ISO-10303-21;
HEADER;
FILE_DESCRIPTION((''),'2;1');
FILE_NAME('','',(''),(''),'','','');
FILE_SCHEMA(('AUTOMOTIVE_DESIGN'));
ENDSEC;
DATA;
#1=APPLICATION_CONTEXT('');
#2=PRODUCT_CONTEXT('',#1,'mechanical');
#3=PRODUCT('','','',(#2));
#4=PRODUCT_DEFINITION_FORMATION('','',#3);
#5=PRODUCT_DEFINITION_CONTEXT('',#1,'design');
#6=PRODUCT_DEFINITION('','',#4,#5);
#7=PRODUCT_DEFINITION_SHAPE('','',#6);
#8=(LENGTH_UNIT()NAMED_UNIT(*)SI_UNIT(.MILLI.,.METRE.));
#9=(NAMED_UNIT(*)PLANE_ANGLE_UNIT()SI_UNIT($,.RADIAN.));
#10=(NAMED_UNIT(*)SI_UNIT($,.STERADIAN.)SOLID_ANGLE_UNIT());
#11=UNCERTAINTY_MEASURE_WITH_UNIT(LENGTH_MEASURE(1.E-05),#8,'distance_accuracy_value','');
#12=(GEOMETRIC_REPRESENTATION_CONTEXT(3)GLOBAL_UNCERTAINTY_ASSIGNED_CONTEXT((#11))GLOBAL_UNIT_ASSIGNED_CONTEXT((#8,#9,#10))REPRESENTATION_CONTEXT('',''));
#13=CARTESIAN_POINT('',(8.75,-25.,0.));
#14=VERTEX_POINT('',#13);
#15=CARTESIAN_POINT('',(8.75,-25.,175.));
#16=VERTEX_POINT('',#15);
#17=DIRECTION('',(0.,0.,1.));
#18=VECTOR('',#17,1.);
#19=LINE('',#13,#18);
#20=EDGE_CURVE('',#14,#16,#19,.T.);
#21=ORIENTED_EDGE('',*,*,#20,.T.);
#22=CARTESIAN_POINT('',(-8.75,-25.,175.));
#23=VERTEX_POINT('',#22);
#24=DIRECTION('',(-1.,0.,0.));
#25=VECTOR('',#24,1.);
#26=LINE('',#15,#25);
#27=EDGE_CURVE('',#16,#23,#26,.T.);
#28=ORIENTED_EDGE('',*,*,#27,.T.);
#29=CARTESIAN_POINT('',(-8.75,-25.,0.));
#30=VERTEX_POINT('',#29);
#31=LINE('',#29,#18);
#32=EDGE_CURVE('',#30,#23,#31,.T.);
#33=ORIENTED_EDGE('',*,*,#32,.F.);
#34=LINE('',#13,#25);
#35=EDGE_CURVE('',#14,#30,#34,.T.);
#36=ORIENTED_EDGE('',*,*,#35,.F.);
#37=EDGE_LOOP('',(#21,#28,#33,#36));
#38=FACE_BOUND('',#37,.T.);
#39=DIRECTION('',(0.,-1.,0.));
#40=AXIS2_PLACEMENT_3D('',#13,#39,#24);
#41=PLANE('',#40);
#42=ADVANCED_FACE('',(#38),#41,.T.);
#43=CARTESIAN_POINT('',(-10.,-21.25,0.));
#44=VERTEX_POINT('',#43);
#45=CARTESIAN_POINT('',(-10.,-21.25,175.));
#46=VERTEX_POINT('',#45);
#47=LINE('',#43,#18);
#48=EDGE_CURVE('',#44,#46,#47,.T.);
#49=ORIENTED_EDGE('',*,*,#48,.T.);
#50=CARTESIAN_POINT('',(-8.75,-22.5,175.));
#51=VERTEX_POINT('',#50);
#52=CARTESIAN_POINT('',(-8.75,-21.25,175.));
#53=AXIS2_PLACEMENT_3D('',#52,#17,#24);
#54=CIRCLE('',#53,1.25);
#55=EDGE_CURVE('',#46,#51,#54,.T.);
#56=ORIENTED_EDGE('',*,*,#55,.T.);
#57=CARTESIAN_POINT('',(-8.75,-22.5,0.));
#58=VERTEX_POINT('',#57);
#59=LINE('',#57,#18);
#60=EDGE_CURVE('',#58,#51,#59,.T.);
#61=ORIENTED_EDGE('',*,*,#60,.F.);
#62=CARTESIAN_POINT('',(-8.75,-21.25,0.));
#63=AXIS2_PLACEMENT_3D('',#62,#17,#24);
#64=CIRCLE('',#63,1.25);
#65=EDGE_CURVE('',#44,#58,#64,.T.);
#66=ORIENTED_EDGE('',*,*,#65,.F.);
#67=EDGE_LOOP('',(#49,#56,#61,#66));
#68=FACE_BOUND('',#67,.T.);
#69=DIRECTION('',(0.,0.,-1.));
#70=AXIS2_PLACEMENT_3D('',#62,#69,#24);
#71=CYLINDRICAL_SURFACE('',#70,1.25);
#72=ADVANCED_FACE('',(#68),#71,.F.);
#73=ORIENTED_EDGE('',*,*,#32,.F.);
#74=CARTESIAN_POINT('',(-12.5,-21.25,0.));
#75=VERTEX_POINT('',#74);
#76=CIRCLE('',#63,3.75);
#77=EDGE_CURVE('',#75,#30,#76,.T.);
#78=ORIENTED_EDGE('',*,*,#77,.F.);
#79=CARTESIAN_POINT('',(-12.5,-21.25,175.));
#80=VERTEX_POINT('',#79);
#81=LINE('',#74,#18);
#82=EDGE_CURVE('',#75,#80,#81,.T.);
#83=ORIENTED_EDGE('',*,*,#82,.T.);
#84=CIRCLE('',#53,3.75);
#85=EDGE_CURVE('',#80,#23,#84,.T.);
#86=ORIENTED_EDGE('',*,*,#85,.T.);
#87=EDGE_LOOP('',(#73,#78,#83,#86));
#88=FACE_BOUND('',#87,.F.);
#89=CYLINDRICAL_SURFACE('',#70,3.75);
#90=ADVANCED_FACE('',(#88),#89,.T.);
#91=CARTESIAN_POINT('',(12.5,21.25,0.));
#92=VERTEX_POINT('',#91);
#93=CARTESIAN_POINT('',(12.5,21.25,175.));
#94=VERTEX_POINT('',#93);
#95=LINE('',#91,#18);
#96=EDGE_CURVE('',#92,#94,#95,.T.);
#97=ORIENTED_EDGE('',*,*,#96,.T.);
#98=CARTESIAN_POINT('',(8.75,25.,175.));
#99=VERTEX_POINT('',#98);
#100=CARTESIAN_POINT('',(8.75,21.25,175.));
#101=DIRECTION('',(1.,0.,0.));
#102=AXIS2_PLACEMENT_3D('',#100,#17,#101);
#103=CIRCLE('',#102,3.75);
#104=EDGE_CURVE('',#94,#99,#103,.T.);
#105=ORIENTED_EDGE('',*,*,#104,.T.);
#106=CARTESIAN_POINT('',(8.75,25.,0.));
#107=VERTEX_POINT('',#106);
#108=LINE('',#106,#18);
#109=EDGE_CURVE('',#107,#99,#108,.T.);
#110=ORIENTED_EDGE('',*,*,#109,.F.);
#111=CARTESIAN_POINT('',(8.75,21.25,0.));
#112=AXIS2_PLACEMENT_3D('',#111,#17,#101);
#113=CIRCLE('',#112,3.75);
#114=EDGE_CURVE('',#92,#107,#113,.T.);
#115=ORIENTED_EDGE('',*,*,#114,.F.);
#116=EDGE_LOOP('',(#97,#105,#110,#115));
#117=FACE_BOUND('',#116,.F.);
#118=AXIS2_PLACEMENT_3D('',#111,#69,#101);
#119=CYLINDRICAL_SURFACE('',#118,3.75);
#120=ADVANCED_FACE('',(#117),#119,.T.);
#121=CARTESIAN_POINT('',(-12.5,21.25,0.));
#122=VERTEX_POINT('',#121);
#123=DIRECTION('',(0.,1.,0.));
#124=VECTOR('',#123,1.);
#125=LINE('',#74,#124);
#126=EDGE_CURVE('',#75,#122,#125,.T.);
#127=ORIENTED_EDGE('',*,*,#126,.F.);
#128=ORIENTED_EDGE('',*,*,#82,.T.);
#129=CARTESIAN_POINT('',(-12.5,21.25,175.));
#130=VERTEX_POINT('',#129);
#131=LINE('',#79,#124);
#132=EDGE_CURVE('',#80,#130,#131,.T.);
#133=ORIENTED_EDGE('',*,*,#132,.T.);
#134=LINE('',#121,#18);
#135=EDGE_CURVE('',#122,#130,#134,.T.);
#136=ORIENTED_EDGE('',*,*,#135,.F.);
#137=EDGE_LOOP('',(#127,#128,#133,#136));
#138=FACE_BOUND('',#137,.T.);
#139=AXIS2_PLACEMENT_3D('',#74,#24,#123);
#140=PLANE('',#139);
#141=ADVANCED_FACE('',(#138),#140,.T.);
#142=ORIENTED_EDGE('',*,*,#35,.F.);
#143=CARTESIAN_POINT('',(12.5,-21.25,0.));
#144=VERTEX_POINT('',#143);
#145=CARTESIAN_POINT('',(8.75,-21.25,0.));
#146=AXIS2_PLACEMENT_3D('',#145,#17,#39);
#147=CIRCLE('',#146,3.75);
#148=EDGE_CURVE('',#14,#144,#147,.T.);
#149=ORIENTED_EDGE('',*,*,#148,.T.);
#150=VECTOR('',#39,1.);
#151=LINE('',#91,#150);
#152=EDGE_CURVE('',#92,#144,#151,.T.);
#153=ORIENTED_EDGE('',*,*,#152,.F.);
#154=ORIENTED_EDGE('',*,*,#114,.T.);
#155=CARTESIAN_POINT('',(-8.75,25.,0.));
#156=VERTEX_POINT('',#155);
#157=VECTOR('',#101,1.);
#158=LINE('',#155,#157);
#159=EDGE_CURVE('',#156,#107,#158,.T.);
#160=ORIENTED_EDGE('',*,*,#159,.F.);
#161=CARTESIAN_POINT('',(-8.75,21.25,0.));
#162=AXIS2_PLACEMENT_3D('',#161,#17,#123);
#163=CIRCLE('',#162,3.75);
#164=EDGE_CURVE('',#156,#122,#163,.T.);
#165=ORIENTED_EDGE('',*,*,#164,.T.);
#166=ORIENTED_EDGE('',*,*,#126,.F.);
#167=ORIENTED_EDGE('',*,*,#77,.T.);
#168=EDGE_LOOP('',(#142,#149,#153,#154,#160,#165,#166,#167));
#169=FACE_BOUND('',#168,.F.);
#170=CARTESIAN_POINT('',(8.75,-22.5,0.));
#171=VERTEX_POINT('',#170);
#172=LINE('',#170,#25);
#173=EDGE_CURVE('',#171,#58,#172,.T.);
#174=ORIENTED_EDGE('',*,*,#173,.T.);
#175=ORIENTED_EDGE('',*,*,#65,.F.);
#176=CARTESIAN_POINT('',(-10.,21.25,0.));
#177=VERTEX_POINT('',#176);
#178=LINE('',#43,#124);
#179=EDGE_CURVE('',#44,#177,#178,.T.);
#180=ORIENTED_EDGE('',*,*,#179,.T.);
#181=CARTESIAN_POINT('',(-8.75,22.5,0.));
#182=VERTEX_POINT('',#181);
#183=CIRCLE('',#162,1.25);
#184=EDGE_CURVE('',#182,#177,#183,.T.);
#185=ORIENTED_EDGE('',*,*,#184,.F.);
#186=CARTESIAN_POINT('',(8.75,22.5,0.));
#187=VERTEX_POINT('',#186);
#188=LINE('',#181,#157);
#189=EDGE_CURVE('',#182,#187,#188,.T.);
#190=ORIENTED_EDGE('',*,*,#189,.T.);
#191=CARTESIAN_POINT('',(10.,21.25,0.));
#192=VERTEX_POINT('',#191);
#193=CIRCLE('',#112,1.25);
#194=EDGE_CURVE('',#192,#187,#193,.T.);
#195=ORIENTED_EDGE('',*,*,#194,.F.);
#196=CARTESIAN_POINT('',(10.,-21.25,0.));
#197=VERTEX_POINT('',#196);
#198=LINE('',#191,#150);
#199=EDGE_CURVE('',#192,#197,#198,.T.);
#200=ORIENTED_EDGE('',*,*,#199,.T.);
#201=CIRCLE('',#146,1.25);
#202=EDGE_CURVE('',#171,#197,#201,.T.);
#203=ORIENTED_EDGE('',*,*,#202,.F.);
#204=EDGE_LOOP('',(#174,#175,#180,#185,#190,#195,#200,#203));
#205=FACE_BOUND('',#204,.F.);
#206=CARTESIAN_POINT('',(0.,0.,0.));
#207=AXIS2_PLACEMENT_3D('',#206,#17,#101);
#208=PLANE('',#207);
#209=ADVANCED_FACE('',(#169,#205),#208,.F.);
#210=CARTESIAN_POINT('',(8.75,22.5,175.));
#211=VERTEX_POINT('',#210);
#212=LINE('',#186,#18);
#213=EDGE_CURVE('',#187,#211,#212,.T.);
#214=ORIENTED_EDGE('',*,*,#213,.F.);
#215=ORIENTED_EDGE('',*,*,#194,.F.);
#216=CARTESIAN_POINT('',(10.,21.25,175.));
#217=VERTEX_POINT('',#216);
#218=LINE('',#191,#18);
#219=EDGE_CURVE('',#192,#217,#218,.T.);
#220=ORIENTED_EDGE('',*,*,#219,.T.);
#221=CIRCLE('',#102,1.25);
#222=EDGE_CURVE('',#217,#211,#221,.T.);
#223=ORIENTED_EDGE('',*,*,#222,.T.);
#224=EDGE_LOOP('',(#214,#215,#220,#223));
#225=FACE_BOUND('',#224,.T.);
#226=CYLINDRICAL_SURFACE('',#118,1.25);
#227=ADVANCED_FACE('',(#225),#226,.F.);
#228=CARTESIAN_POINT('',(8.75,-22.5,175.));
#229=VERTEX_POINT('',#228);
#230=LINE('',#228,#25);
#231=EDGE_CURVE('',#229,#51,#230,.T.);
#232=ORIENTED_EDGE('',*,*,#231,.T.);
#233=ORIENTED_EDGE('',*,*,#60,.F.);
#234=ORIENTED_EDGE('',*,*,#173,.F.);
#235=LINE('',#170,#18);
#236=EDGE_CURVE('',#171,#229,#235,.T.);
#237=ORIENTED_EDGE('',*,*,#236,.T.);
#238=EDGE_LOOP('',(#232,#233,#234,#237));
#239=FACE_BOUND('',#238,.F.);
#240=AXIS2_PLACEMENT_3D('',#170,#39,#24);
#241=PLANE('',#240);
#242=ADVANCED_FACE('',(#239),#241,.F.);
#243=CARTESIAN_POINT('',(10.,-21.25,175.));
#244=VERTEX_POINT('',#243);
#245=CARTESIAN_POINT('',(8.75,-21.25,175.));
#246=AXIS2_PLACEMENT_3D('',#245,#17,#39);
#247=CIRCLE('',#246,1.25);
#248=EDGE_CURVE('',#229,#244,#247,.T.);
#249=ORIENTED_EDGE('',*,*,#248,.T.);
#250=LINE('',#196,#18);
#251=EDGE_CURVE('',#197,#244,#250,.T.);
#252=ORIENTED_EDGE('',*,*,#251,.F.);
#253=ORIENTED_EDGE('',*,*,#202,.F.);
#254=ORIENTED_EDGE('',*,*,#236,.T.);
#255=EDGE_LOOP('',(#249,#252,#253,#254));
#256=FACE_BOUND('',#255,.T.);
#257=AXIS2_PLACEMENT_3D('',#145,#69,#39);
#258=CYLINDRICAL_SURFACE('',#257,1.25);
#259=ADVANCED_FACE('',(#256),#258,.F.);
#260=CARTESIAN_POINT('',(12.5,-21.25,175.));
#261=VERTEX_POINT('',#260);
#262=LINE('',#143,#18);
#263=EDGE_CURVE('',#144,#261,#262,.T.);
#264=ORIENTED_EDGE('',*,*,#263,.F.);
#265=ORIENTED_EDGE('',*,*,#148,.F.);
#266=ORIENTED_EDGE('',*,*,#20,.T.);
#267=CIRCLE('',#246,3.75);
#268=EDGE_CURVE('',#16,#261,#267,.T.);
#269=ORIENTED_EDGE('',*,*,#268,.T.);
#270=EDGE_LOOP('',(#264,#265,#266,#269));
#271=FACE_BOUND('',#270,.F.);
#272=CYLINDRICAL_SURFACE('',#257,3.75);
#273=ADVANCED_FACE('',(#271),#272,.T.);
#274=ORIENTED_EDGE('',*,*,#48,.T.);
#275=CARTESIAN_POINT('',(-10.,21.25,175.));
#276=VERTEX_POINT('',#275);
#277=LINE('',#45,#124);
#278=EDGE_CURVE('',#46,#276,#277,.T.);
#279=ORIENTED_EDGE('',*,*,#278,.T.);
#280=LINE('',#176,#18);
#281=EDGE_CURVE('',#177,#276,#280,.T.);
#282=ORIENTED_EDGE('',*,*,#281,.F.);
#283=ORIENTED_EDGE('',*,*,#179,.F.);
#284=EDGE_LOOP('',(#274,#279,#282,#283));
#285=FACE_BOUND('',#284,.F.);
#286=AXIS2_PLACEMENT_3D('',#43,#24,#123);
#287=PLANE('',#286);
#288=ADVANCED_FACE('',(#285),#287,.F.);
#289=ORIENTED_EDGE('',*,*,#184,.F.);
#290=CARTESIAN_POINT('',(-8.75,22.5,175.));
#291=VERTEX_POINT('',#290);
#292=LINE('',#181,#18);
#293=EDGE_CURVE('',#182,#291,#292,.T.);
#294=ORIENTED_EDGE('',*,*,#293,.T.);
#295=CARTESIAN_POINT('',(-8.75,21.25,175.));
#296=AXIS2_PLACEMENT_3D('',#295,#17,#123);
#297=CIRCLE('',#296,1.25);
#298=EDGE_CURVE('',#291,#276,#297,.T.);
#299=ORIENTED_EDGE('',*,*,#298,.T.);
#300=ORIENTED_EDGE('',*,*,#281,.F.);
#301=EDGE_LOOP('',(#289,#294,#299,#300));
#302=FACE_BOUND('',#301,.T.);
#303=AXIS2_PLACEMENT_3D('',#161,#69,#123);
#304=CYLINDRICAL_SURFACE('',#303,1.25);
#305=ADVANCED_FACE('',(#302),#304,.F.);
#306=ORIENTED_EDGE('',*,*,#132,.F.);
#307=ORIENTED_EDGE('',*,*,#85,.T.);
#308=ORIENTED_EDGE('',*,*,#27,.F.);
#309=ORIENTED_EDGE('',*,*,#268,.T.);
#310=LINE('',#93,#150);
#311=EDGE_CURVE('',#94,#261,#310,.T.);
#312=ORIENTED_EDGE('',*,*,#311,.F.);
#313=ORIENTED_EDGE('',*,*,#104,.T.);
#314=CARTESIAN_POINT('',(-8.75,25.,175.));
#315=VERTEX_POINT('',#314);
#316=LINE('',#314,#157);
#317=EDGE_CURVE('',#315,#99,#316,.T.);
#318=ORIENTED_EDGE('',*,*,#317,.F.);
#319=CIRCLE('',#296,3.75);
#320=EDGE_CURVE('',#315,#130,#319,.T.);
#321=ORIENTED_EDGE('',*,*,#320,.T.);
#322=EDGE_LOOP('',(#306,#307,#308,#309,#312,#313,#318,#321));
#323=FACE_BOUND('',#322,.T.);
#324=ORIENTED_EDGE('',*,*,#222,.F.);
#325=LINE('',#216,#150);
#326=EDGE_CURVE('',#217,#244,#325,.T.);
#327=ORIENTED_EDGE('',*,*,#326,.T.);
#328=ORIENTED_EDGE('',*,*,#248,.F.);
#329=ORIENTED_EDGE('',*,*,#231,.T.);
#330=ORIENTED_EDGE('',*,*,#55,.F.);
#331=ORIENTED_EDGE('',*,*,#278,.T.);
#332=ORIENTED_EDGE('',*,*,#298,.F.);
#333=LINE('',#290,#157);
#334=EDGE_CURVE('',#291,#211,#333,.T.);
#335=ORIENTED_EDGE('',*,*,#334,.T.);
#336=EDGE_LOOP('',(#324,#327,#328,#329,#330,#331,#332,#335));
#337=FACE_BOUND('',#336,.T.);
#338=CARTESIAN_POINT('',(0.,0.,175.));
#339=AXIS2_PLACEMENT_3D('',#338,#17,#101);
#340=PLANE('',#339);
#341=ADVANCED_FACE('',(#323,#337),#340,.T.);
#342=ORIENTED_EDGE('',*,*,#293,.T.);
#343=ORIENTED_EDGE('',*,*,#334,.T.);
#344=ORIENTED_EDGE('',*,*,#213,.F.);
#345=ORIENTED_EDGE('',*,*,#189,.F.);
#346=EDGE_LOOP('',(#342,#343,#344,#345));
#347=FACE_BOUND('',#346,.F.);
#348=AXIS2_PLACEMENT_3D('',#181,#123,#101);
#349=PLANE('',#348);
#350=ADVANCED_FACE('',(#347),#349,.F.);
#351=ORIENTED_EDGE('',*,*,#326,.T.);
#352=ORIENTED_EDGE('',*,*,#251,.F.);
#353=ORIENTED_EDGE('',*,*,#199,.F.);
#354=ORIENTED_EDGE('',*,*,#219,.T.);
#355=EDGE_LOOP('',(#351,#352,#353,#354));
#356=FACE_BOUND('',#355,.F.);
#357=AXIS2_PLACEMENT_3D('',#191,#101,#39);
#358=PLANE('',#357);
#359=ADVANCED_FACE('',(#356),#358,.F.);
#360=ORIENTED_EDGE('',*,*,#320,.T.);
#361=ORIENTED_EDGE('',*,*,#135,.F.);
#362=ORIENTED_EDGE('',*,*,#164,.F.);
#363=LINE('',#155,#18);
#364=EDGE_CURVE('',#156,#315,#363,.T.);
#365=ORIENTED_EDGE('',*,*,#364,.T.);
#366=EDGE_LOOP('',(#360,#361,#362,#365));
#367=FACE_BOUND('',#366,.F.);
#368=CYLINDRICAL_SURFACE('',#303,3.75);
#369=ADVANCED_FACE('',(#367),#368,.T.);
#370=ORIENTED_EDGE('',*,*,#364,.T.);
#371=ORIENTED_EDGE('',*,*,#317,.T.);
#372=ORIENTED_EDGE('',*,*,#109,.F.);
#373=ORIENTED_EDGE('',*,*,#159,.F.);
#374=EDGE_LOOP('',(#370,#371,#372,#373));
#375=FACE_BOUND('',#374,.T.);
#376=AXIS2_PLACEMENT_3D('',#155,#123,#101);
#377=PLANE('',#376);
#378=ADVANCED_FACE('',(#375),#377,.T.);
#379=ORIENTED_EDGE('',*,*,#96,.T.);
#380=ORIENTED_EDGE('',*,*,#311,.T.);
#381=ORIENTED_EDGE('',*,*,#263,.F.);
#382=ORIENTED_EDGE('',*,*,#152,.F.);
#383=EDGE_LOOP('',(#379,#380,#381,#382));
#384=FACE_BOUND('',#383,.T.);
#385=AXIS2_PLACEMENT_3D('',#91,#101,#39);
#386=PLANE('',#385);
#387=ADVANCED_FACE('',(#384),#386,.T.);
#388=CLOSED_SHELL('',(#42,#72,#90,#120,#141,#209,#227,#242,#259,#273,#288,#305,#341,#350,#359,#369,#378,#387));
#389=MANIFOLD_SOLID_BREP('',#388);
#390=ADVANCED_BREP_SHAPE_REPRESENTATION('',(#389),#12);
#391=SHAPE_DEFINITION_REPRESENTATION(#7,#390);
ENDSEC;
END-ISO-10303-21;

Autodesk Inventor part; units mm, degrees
ref_plane "YZ Plane" through (0, 0, 0) normal (1, 0, 0) x (0, 1, 0)
ref_plane "Plano inicial" through (0, 0, 0) normal (0, 0, 1) x (1, 0, 0)
ref_plane "Plano final" through (0, 0, 175) normal (0, 0, 1) x (1, 0, 0)
sketch "Boceto" plane through (0, 0, 0) normal (0, 0, 1) x (1, 0, 0)
  line L0 (-12.5, -21.25) -> (-12.5, 21.25)
  line L1 (-8.75, 25) -> (8.75, 25)
  line L2 (12.5, 21.25) -> (12.5, -21.25)
  line L3 (8.75, -25) -> (-8.75, -25)
  arc A0 (-12.5, -21.25) -> (-8.75, -25) centre (-8.75, -21.25) ccw
  arc A1 (-8.75, 25) -> (-12.5, 21.25) centre (-8.75, 21.25) ccw
  arc A2 (12.5, 21.25) -> (8.75, 25) centre (8.75, 21.25) ccw
  arc A3 (8.75, -25) -> (12.5, -21.25) centre (8.75, -21.25) ccw
  arc A4 (-8.75, 22.5) -> (-10, 21.25) centre (-8.75, 21.25) ccw
  line L4 (-8.75, 22.5) -> (8.75, 22.5)
  arc A5 (10, 21.25) -> (8.75, 22.5) centre (8.75, 21.25) ccw
  line L5 (10, 21.25) -> (10, -21.25)
  arc A6 (8.75, -22.5) -> (10, -21.25) centre (8.75, -21.25) ccw
  line L6 (8.75, -22.5) -> (-8.75, -22.5)
  arc A7 (-10, -21.25) -> (-8.75, -22.5) centre (-8.75, -21.25) ccw
  line L7 (-10, -21.25) -> (-10, 21.25)
  line L8 (0, 36.0873) -> (0, -36.0873) construction
  line L9 (-18.5873, 0) -> (18.5873, 0) construction
  dimension "d7" = 3.75
  dimension "d10" = 50
  dimension "d11" = 25
  dimension "d12" = 2.5
  dimension "d15" = 25
  dimension "d16" = 12.5
extrude "Cuerpo" add sketch "Boceto" along normal up to surface (175 mm away) from surface at 0
sketch "Sketch3" plane through (0, 0, 0) normal (0, 0, 1) x (1, 0, 0)
  line L0 (0, 0) -> (10, 0)
ref_plane "Work Plane3" through (0, 0, 0) normal (0, -1, 0) x (1, 0, 0)
sketch "Sketch4" plane through (0, 0, 0) normal (0, -1, 0) x (1, 0, 0)
  line L0 (-2, 0) -> (12, 0)
  line L1 (-2, 175) -> (12, 175)
  dimension "d18" = 175
equation "\"d7\" = G_IR"
equation "\"d10\" = G_H"
equation "\"d11\" = G_W"
equation "\"d12\" = G_T"
equation "\"d15\" = 0.5 * d10"
equation "\"d16\" = 0.5 * d11"
equation "\"d3\" = G_L"
equation "\"G_W\" = 25"
equation "\"G_H\" = 50"
equation "\"G_T\" = 2.5"
equation "\"G_IR\" = 3.75"
equation "\"G_L\" = d18"
equation "\"G_OFFSET_START\" = 0"
equation "\"G_OFFSET_END\" = 0"
equation "\"d14\" = G_OFFSET_END + B_L"
equation "\"B_L\" = 175"
properties part number "ISO 12633-2 - 50x25x2.5 - 175" material "Acero, suave"
